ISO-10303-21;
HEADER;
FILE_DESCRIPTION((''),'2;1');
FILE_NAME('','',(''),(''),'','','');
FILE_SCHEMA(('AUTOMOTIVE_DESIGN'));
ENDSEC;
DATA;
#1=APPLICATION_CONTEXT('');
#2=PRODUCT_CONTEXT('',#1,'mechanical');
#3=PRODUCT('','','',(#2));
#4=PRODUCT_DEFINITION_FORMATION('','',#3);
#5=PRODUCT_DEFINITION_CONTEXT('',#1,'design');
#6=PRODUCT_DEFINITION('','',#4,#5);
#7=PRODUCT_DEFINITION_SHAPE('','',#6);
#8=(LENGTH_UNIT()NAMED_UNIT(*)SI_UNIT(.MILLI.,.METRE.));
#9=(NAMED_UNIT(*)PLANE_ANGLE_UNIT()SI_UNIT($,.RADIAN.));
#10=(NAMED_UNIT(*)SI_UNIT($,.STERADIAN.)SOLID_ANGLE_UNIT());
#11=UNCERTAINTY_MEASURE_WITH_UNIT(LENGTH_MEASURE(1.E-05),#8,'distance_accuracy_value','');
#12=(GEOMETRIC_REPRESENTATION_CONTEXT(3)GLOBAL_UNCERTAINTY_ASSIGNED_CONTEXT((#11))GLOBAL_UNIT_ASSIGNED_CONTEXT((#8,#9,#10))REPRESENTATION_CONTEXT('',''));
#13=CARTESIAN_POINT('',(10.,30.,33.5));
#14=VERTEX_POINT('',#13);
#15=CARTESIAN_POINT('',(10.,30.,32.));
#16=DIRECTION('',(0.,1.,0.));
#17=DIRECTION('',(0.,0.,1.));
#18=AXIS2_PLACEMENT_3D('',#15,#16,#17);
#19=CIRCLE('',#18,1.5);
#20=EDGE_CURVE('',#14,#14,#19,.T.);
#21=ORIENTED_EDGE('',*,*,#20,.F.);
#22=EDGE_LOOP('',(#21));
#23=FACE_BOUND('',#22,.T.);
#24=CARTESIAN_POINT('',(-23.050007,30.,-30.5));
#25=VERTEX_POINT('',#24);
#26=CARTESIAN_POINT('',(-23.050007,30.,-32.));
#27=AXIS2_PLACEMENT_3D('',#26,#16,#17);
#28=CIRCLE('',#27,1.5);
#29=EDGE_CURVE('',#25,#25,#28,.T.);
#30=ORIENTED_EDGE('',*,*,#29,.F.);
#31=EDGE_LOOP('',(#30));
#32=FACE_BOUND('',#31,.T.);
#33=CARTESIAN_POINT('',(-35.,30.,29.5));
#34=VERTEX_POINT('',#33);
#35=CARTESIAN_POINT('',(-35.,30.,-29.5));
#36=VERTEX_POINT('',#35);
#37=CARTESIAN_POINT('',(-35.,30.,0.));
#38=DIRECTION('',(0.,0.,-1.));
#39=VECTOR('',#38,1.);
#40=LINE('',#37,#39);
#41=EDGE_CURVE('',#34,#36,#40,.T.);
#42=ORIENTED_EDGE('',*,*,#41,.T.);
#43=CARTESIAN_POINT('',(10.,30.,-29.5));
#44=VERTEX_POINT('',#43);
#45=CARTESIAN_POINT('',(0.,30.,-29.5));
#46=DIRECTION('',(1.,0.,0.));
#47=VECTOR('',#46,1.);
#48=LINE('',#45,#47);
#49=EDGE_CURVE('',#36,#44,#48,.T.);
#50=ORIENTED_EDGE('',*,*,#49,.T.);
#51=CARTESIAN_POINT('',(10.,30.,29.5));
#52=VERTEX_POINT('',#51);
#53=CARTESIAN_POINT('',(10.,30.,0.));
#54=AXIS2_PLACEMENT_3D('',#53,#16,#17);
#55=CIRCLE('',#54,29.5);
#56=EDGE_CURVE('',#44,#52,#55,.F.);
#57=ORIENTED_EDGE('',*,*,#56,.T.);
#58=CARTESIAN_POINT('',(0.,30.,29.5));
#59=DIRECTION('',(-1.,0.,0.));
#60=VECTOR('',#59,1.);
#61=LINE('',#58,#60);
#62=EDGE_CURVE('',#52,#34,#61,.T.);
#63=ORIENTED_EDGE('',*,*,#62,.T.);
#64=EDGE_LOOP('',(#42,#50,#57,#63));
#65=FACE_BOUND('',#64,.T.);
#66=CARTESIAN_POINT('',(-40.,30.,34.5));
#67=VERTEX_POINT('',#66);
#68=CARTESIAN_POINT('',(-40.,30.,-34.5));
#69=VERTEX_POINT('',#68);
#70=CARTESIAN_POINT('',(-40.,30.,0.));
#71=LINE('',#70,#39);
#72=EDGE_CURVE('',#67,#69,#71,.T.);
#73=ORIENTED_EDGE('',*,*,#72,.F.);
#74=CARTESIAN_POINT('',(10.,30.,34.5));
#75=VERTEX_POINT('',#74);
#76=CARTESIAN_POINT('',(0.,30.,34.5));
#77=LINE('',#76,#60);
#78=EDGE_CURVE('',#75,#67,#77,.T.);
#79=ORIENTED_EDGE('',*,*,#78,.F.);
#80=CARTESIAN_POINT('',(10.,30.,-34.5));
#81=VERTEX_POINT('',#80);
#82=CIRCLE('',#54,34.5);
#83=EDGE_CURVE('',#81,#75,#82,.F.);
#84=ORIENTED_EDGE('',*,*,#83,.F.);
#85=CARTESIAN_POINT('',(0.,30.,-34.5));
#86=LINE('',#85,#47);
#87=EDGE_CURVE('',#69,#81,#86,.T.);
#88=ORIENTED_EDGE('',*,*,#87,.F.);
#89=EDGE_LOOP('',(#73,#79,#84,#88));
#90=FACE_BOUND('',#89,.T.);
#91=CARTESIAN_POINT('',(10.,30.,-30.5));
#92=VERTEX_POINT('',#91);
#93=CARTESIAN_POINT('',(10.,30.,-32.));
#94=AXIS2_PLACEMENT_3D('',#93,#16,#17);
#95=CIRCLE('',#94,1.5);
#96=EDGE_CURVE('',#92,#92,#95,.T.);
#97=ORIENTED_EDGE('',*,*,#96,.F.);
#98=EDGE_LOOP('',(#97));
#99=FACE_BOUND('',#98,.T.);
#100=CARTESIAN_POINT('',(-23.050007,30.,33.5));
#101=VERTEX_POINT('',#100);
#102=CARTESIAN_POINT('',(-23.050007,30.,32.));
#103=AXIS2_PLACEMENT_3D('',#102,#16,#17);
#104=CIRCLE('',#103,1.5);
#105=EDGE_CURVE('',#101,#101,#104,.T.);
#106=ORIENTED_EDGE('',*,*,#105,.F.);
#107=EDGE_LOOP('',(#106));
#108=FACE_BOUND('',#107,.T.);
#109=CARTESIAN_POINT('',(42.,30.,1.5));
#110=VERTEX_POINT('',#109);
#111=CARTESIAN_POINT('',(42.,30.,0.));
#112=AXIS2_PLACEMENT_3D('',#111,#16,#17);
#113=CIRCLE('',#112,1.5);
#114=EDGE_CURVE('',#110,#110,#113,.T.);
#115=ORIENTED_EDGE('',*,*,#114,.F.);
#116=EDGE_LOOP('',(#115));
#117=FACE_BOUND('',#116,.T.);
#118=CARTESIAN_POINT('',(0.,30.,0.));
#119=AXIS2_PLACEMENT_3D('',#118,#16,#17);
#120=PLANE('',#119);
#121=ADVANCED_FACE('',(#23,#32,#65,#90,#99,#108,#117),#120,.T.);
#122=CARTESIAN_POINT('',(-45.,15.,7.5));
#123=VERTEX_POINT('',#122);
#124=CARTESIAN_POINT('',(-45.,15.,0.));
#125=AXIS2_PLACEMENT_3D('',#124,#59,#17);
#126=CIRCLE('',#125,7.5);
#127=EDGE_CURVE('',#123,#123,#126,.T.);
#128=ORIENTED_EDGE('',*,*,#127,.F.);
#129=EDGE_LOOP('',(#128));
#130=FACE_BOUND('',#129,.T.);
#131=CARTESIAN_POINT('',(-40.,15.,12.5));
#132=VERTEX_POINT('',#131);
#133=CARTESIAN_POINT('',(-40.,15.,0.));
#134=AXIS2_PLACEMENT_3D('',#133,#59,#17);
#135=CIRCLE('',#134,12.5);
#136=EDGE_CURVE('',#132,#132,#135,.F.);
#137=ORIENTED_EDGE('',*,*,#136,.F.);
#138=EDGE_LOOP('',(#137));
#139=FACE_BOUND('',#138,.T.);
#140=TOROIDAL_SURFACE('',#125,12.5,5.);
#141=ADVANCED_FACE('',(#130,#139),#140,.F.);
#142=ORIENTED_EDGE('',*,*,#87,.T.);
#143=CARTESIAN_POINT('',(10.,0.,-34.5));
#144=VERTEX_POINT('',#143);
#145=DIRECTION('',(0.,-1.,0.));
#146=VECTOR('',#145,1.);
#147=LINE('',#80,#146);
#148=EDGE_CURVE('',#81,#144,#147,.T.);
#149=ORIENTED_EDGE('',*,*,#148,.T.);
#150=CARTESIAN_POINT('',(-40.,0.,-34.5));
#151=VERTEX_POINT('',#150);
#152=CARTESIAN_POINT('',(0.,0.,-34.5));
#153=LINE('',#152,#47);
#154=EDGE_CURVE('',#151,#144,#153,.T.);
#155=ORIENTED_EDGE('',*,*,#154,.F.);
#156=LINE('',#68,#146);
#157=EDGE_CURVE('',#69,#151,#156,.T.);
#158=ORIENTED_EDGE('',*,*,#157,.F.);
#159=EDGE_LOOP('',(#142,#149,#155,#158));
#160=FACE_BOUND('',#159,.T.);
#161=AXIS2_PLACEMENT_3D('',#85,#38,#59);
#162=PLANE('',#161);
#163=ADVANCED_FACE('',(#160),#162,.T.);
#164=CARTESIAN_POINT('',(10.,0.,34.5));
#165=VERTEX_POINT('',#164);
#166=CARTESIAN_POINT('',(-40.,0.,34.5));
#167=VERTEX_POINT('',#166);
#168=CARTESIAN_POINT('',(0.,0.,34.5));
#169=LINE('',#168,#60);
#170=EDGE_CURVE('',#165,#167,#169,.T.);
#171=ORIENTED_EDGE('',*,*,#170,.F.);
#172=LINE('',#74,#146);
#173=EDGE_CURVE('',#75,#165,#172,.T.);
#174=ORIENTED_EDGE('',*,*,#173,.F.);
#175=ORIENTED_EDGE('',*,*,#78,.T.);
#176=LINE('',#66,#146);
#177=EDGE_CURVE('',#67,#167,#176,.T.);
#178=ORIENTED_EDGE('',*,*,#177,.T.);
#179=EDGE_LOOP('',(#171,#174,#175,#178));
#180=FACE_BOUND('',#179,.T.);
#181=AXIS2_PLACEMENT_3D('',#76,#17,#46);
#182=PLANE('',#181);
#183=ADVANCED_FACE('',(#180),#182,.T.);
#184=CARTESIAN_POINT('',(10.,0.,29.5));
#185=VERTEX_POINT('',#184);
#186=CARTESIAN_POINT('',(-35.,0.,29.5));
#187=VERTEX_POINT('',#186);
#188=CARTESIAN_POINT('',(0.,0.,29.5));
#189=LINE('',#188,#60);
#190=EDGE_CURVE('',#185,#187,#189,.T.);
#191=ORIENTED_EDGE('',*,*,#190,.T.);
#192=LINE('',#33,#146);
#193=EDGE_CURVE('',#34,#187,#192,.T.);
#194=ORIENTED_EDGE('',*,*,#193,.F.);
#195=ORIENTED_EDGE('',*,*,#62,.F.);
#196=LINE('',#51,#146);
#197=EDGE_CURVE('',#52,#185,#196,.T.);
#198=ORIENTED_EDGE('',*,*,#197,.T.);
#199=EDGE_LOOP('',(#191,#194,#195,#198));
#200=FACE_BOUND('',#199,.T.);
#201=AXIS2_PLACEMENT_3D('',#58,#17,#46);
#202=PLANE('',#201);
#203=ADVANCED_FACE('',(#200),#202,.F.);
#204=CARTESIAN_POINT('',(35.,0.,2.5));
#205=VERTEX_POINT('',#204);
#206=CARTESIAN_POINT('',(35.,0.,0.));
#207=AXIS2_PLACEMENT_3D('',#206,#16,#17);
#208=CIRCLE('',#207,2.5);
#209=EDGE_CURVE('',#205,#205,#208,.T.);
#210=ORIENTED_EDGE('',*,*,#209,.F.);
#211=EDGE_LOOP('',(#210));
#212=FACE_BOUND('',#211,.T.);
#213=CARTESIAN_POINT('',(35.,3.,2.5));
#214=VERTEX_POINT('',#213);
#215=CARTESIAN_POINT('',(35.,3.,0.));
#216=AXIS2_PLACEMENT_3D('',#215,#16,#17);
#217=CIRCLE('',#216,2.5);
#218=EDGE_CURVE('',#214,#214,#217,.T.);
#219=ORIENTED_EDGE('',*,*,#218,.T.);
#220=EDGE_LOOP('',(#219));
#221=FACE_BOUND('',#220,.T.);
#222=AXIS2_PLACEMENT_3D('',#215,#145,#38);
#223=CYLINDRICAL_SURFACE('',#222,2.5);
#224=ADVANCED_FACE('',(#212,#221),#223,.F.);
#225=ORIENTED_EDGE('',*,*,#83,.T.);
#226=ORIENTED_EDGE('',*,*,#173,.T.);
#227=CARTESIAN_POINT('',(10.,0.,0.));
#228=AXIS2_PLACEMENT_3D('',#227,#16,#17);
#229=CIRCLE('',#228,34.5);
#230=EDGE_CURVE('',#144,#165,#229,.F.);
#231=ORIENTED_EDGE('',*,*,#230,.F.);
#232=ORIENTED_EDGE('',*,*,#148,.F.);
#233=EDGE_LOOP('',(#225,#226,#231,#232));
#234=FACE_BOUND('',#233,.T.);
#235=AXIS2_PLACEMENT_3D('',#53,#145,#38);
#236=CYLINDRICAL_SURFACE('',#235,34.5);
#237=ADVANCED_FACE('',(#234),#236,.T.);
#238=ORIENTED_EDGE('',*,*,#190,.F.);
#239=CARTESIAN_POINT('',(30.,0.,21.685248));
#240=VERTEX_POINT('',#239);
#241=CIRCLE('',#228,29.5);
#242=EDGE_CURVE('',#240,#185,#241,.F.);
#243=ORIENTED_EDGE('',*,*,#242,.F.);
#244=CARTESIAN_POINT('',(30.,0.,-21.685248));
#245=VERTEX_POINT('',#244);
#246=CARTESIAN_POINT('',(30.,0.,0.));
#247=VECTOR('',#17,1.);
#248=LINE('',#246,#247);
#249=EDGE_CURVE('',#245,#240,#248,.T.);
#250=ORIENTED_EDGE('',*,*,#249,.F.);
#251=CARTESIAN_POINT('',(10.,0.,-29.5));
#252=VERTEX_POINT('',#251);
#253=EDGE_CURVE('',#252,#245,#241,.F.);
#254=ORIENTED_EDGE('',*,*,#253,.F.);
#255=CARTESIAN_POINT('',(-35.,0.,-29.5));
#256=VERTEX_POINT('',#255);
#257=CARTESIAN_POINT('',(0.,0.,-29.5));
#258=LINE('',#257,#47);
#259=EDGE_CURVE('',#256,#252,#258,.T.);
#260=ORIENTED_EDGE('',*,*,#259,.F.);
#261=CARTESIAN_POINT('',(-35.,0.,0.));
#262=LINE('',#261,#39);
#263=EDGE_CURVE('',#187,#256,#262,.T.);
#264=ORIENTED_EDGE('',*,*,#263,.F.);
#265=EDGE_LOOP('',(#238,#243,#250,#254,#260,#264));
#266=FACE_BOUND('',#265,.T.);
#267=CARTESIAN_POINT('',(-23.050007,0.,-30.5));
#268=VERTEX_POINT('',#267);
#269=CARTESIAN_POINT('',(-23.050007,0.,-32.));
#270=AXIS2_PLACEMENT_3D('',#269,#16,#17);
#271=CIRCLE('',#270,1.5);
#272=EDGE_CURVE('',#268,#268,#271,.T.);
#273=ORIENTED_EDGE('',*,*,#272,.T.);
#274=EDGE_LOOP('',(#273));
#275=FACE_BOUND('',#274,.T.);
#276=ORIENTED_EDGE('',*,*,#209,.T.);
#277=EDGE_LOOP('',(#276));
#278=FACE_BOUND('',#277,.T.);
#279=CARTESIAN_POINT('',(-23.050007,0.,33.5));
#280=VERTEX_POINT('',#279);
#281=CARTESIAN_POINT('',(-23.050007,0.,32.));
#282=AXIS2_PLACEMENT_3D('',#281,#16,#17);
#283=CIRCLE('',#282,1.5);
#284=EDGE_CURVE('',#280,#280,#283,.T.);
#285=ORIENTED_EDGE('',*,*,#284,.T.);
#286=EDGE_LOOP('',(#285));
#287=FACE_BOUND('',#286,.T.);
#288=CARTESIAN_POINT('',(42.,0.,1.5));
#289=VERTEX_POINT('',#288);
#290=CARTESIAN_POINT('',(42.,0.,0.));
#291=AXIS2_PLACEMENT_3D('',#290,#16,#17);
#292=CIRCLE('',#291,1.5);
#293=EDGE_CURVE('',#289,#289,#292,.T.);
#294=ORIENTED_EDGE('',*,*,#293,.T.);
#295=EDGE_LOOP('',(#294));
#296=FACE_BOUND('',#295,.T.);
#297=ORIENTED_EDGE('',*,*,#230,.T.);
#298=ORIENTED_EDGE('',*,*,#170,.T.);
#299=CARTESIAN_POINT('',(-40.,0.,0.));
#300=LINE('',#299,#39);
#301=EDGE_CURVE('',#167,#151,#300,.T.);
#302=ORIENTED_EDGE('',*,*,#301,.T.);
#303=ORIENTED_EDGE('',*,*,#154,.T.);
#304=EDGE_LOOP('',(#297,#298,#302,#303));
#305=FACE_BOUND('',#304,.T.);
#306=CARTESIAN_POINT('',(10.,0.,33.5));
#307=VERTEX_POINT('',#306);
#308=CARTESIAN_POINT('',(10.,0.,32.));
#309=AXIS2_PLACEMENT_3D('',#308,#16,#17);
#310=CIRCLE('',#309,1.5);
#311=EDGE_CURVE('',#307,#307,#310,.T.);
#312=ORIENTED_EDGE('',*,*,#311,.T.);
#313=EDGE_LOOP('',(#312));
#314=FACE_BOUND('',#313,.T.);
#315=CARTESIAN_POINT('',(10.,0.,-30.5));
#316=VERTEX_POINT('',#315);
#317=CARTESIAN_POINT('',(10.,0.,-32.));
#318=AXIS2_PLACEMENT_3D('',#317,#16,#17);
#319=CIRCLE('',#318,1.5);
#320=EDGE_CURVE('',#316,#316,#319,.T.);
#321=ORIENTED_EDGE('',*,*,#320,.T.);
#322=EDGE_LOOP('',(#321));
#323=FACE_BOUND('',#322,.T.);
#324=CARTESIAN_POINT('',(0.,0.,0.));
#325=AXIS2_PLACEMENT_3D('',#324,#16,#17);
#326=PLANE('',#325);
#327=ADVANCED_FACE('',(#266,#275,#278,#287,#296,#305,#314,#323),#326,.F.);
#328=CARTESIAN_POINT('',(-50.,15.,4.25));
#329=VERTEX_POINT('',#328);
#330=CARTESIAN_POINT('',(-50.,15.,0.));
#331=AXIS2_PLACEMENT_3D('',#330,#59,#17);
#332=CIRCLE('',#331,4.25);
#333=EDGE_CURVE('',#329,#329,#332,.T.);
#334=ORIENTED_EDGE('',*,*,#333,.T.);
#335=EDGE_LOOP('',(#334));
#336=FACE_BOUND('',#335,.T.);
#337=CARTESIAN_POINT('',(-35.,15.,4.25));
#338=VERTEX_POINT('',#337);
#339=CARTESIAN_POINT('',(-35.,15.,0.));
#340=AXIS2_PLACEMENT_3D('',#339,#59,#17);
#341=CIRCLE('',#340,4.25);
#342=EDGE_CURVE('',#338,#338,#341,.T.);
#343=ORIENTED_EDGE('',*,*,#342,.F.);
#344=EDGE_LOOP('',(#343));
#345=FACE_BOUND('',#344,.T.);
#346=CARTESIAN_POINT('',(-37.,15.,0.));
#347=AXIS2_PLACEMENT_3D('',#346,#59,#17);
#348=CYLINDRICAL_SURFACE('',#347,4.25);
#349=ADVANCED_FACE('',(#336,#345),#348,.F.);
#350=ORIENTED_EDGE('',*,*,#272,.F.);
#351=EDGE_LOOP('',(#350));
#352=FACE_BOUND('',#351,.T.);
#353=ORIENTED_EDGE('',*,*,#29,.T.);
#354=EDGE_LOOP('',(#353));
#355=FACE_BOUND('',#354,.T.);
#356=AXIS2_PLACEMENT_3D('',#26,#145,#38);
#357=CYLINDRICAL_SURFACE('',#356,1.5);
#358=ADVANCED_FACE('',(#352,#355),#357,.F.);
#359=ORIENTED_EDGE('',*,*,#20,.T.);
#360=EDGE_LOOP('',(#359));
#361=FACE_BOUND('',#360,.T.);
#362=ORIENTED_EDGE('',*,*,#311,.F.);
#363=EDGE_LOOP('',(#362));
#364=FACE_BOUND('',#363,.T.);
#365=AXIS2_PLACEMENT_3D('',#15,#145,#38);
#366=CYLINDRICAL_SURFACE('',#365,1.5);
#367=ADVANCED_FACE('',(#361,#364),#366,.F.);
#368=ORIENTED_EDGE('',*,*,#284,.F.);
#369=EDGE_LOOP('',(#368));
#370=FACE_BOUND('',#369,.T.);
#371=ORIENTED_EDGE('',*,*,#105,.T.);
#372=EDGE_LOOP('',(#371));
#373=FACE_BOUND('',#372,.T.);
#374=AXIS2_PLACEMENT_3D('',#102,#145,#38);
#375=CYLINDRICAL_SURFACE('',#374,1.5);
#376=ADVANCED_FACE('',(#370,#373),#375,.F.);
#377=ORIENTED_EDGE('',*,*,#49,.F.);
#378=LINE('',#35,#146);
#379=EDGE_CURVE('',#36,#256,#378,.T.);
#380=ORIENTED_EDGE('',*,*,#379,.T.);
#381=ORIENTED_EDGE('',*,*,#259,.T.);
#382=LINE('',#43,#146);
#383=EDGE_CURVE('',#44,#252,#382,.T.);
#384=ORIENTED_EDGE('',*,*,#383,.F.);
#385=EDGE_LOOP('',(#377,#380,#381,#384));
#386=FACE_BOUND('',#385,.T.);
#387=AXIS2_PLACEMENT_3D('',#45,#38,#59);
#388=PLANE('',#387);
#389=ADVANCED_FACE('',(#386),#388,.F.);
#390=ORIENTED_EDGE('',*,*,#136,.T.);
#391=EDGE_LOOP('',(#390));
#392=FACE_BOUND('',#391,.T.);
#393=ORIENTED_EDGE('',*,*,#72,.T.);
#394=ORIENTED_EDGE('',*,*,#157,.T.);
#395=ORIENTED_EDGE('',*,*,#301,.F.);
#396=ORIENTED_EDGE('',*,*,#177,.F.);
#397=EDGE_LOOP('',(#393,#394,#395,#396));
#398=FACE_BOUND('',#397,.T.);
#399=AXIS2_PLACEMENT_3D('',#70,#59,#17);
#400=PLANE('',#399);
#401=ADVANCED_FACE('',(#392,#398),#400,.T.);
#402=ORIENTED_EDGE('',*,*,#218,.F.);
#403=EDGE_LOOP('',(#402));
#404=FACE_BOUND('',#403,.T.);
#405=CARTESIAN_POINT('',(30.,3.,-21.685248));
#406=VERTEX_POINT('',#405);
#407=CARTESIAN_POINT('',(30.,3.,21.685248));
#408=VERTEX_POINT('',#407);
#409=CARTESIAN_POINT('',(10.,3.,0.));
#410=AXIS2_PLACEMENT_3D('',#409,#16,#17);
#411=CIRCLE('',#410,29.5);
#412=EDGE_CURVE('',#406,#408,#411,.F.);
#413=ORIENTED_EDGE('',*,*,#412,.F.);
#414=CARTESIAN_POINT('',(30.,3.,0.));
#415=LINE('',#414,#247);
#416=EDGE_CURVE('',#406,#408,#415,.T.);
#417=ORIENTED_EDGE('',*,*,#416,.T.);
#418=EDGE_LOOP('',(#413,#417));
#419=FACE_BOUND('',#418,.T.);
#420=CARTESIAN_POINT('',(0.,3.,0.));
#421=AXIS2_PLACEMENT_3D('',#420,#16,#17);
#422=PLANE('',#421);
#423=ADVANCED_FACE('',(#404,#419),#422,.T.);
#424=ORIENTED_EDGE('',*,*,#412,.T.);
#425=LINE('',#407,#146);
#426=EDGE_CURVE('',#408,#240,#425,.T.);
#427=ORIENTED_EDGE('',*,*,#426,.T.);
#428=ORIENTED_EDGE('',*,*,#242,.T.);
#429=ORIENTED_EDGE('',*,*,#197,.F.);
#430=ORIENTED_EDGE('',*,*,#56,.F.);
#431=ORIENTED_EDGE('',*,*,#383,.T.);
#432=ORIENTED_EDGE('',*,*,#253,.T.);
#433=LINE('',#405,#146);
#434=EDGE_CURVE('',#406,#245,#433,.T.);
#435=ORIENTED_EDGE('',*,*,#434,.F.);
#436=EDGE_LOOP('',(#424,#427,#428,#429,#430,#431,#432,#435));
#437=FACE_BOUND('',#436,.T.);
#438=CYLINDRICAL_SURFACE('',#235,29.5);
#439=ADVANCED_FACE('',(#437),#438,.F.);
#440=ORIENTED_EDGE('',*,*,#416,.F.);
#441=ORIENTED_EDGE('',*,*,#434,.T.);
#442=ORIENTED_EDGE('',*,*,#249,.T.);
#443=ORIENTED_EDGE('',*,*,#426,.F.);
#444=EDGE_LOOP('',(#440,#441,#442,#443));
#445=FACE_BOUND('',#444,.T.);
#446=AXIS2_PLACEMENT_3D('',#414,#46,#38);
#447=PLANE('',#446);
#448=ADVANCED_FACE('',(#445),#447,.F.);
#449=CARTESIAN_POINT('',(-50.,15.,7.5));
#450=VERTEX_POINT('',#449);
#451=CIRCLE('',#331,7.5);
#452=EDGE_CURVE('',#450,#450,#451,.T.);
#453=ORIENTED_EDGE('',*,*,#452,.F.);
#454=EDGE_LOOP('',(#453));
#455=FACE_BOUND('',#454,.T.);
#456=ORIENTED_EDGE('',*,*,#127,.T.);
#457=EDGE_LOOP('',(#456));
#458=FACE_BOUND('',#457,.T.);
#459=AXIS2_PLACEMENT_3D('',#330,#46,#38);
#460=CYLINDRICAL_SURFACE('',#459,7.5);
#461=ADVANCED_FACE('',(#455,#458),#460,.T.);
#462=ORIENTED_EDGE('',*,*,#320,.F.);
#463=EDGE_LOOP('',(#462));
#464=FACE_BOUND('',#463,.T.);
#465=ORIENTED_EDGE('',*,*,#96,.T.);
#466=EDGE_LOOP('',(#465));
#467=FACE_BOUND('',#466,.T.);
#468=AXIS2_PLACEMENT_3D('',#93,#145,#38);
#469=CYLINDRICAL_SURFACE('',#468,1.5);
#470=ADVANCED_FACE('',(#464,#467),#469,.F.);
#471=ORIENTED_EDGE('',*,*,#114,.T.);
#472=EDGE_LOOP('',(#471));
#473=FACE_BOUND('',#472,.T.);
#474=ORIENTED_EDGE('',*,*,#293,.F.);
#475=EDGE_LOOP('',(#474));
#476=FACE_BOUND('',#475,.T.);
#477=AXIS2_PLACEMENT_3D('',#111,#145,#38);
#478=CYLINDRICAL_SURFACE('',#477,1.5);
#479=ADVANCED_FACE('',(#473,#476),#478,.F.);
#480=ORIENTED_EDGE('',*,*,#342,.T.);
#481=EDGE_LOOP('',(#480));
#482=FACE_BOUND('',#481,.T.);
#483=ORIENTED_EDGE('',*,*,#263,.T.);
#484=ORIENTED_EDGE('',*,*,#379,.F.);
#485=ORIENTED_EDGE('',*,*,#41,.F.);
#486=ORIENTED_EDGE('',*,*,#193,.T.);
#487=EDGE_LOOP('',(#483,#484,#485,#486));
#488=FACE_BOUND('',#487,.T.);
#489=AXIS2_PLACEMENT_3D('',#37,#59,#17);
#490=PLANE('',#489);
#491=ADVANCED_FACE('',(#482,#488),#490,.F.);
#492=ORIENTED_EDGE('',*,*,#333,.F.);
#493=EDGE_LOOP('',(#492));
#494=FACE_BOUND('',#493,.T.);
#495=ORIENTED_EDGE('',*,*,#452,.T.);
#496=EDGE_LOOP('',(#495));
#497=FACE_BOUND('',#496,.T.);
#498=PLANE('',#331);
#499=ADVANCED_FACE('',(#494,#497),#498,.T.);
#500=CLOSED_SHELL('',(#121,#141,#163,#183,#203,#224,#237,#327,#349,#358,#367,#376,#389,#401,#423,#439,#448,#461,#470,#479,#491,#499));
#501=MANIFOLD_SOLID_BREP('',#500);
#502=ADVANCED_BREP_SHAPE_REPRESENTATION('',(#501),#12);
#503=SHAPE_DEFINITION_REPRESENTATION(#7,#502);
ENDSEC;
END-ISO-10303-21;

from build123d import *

# Parameters (mm, degrees)
SKETCH1_R           = 1.5
BOSS_EXTRUDE1_DEPTH = 30
SKETCH1_4_R         = 2.5
BOSS_EXTRUDE2_DEPTH = 3
SKETCH2_R           = 4.25
CUT_EXTRUDE1_DEPTH  = 3
BOSS_EXTRUDE3_START = 10
SKETCH3_R           = 7.5
SKETCH3_R_2         = 4.25
BOSS_EXTRUDE3_DEPTH = 10
FILLET1_R           = 5
SKETCH4_R           = 4.25
CUT_EXTRUDE2_DEPTH  = 10


with BuildPart() as part:
    # Sketch1 → Boss-Extrude1 (new body)
    with BuildSketch(Plane(origin=(0, 0, 0), x_dir=(1, 0, 0), z_dir=(0, 1, 0))):
        with BuildLine():
            Line((-40, -34.5), (10, -34.5))
            ThreePointArc((10, -34.5), (44.5, 0), (10, 34.5))
            Line((10, 34.5), (-40, 34.5))
            Line((-40, 34.5), (-40, -34.5))
        make_face()
        with Locations((-23.050007367, -32)):
            Circle(SKETCH1_R, mode=Mode.SUBTRACT)
        with Locations((10, -32)):
            Circle(SKETCH1_R, mode=Mode.SUBTRACT)
        with BuildLine():
            ThreePointArc((10, 29.5), (20.736274283, 27.476943326), (30, 21.685248442))
            ThreePointArc((30, 21.685248442), (39.5, 0), (30, -21.685248442))
            ThreePointArc((30, -21.685248442), (20.736274283, -27.476943326), (10, -29.5))
            Line((10, -29.5), (-35, -29.5))
            Line((-35, -29.5), (-35, 29.5))
            Line((-35, 29.5), (10, 29.5))
        make_face(mode=Mode.SUBTRACT)
        with Locations((-23.050007367, 32)):
            Circle(SKETCH1_R, mode=Mode.SUBTRACT)
        with Locations((42, 0)):
            Circle(SKETCH1_R, mode=Mode.SUBTRACT)
        with Locations((10, 32)):
            Circle(SKETCH1_R, mode=Mode.SUBTRACT)
    extrude(amount=BOSS_EXTRUDE1_DEPTH)

    # Sketch1<4> → Boss-Extrude2 (add)
    with BuildSketch(Plane(origin=(0, 0, 0), x_dir=(1, 0, 0), z_dir=(0, 1, 0))):
        with BuildLine():
            ThreePointArc((30, -21.685248442), (39.5, 0), (30, 21.685248442))
            Line((30, 21.685248442), (30, 18.020023033))
            Line((30, 18.020023033), (30, -9.598736105))
            Line((30, -9.598736105), (30, -21.685248442))
        make_face()
        with Locations((35, 0)):
            Circle(SKETCH1_4_R, mode=Mode.SUBTRACT)
    extrude(amount=BOSS_EXTRUDE2_DEPTH)

    # Sketch2 → Cut-Extrude1 (cut)
    with BuildSketch(Plane.ZY.offset(40)):
        with Locations((0, 15)):
            Circle(SKETCH2_R)
    extrude(amount=-CUT_EXTRUDE1_DEPTH, mode=Mode.SUBTRACT)

    # Sketch3 → Boss-Extrude3 (add)
    with BuildSketch(Plane.ZY.offset(40).offset(BOSS_EXTRUDE3_START)):
        with Locations((0, 15)):
            Circle(SKETCH3_R)
        with Locations((0, 15)):
            Circle(SKETCH3_R_2, mode=Mode.SUBTRACT)
    extrude(amount=-BOSS_EXTRUDE3_DEPTH)

    # Fillet1
    fillet1_edges = [part.edges().sort_by_distance(p)[0] for p in [
        (-40, 15, -7.5),
    ]]
    fillet(fillet1_edges, radius=FILLET1_R)

    # Sketch4 → Cut-Extrude2 (cut)
    with BuildSketch(Plane.ZY.offset(37)):
        with Locations((0, 15)):
            Circle(SKETCH4_R)
    extrude(amount=-CUT_EXTRUDE2_DEPTH, mode=Mode.SUBTRACT)


solid = part.part
